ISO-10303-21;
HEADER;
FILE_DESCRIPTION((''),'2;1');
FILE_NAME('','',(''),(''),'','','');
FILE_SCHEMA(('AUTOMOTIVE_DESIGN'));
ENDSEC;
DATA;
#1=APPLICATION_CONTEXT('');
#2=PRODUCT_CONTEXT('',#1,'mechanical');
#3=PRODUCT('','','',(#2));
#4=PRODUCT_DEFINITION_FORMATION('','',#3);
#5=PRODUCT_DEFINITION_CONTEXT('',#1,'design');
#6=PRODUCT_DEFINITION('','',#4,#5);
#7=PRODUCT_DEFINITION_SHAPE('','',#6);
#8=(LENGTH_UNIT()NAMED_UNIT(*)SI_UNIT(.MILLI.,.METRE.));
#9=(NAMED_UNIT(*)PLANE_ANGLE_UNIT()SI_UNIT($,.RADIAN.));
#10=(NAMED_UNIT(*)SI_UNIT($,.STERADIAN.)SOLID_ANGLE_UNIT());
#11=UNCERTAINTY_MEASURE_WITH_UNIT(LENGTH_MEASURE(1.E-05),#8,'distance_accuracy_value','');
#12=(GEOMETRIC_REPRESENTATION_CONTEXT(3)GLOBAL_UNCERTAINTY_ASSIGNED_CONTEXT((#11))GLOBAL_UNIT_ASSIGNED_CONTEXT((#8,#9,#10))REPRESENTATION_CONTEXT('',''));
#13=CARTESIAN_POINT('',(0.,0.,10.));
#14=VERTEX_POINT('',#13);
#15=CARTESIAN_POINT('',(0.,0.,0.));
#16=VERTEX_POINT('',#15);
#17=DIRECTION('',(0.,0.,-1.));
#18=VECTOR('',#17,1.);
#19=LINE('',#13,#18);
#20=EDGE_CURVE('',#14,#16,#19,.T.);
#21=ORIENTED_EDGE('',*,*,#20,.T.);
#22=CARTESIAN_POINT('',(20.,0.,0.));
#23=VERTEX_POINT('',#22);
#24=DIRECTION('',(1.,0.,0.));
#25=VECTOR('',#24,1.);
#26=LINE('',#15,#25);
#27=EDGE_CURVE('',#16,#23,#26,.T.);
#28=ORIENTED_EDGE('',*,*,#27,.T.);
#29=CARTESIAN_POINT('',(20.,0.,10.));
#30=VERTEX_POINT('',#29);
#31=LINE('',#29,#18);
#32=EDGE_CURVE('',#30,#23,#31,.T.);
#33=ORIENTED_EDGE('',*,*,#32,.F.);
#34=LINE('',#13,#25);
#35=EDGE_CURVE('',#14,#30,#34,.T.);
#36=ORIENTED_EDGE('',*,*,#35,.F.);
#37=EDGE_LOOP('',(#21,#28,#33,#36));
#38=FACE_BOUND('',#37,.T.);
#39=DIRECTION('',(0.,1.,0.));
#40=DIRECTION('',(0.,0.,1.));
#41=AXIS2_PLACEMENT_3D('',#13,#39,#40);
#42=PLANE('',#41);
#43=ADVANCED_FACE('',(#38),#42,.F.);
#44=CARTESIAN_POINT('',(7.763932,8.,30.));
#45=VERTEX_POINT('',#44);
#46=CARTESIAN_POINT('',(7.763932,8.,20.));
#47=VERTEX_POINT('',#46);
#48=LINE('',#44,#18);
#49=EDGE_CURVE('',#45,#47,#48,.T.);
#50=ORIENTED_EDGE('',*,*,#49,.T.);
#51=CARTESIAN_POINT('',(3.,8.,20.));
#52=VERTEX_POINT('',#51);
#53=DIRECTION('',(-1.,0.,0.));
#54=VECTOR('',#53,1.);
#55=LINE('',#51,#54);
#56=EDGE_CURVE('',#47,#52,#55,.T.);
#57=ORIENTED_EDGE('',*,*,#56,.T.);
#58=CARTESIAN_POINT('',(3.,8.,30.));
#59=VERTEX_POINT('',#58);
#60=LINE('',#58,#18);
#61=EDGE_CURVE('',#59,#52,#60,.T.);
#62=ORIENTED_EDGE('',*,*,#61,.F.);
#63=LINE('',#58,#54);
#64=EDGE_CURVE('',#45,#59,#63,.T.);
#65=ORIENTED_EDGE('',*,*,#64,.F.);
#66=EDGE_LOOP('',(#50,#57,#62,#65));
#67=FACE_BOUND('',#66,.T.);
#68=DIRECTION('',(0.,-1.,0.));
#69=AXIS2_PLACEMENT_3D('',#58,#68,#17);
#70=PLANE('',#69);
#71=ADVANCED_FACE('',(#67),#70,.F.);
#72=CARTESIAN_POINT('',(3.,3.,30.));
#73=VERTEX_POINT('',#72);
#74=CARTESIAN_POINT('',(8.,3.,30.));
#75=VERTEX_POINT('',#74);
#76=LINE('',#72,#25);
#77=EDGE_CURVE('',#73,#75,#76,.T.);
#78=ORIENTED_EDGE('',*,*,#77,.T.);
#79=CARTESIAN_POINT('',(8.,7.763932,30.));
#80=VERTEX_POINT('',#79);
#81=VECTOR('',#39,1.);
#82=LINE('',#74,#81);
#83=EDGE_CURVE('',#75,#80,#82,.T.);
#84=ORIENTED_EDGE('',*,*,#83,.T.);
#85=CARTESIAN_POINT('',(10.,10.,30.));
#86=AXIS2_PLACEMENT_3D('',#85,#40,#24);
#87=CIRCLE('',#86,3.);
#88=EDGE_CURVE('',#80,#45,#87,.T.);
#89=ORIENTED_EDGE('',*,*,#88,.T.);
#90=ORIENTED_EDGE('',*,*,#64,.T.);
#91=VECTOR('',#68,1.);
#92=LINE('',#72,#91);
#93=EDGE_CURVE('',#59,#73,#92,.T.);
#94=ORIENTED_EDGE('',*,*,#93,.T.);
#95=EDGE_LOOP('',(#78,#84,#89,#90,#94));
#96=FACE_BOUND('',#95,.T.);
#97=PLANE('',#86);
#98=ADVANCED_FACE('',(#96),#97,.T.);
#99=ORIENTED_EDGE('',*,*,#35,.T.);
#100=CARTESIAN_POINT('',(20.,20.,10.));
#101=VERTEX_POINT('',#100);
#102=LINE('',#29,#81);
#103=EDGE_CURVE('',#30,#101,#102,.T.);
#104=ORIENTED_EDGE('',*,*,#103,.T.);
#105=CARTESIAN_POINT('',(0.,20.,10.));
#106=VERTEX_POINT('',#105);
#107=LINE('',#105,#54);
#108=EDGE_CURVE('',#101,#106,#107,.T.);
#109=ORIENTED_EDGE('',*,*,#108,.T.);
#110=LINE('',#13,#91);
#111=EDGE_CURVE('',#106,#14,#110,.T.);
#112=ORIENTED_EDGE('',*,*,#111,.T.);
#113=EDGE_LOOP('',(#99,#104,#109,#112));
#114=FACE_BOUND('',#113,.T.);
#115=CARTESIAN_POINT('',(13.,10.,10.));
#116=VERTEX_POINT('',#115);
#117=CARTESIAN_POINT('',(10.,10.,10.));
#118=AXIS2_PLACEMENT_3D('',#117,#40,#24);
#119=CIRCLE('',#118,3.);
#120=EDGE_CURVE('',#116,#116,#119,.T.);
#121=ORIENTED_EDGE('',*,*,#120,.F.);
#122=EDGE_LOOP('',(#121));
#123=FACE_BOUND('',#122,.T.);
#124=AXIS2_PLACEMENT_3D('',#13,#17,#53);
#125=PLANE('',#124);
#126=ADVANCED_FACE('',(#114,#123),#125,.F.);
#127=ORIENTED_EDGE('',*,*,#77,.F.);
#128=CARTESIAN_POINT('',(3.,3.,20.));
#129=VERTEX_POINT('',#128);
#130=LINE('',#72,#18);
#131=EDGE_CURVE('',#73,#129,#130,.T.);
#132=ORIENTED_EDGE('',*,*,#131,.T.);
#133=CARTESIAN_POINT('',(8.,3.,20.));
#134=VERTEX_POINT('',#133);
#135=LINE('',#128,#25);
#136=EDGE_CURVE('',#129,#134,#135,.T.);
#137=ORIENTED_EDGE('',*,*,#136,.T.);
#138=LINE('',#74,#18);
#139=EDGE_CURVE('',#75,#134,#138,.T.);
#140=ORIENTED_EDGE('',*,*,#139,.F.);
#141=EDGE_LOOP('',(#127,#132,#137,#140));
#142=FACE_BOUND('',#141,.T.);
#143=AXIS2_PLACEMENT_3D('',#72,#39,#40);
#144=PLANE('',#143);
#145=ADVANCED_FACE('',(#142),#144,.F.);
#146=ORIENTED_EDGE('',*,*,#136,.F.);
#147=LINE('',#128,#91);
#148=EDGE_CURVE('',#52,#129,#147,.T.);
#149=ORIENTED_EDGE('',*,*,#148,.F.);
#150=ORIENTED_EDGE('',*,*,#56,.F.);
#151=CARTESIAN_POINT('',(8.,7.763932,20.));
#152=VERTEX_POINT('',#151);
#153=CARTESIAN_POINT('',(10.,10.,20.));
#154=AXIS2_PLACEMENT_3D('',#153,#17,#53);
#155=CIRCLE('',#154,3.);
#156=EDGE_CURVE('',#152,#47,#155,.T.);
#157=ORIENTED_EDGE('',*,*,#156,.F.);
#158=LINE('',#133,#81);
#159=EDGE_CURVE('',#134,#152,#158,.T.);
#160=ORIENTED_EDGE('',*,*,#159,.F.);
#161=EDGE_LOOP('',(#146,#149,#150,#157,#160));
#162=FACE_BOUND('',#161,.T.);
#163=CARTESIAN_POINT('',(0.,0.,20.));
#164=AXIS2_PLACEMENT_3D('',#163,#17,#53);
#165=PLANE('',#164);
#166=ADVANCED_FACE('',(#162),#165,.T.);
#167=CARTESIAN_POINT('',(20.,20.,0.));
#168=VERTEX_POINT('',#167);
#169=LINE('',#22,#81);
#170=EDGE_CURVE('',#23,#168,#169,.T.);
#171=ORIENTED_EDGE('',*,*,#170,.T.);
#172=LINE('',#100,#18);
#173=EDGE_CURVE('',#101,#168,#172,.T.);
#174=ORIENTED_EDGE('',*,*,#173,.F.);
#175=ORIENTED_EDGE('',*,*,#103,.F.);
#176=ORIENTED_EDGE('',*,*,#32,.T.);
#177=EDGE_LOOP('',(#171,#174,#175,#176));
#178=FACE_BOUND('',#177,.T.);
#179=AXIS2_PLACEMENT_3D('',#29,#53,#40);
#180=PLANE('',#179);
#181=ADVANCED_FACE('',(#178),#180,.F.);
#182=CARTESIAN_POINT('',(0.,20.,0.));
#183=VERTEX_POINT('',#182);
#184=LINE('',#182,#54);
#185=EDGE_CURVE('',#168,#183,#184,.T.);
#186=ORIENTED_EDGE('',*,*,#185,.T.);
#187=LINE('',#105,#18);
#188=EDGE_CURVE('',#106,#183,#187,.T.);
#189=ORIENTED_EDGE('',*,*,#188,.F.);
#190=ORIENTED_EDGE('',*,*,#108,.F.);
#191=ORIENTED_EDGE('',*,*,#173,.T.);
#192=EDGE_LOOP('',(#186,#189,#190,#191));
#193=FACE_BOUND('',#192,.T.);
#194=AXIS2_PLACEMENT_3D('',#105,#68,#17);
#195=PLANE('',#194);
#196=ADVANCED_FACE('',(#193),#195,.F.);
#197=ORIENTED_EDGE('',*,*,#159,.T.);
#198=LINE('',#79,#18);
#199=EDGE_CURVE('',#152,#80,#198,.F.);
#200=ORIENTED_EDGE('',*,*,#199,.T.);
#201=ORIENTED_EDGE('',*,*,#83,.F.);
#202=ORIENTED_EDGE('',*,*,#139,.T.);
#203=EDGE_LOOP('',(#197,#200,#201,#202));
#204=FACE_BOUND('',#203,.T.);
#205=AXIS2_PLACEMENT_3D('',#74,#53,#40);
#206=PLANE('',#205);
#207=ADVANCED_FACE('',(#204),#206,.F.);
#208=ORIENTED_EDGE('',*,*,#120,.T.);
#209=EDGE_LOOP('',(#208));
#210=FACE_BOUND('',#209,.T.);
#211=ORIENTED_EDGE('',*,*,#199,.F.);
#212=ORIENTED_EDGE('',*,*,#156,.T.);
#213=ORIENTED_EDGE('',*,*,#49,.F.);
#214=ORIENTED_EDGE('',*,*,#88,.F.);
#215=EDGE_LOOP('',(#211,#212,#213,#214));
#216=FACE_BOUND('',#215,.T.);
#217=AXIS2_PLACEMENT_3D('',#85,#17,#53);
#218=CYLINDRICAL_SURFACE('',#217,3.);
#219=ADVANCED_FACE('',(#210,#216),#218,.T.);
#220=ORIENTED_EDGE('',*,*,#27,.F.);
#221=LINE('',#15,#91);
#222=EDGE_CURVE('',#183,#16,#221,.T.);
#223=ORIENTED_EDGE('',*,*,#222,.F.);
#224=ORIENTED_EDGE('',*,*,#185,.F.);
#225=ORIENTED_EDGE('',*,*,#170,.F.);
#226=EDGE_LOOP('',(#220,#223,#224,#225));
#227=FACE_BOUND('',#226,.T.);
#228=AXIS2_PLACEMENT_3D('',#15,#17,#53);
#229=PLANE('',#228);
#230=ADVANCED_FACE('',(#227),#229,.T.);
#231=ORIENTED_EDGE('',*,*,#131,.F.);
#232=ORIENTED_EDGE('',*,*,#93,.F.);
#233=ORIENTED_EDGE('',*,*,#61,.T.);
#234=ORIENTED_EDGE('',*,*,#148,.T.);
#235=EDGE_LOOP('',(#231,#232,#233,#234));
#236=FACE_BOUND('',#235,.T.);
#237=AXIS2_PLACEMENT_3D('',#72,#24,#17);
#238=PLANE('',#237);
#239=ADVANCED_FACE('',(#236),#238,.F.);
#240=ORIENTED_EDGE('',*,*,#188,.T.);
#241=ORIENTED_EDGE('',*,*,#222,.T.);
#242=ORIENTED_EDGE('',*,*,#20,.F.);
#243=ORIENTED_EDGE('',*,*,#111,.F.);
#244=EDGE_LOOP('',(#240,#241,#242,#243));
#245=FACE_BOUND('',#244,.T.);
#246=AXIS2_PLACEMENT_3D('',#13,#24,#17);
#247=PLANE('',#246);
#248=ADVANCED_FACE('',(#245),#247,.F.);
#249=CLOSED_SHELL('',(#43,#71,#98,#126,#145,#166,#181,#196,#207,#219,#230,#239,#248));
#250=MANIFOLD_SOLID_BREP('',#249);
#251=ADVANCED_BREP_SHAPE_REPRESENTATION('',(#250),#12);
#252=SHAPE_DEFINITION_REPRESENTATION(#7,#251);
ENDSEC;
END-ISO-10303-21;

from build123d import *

# Parameters (mm, degrees)
SKETCH_1_W           = 20
SKETCH_1_H           = 20
BASEBOX_DEPTH        = 10
SKETCH_2_W           = 5
SKETCH_2_H           = 5
TARGETBOX_DEPTH      = 10
SKETCH_3_R           = 3
UPTOVERTEXBOSS_DEPTH = 20


with BuildPart() as part:
    # 草图1 → BaseBox (new body)
    with BuildSketch(Plane.XY):
        with Locations((10, 10)):
            Rectangle(SKETCH_1_W, SKETCH_1_H)
    extrude(amount=BASEBOX_DEPTH)



with BuildPart() as body_2:
    # 草图2 → TargetBox (new body)
    with BuildSketch(Plane.XY.offset(20)):
        with Locations((5.5, 5.5)):
            Rectangle(SKETCH_2_W, SKETCH_2_H)
    extrude(amount=TARGETBOX_DEPTH)


with BuildPart() as part_1:
    add(part.part)

    add(body_2.part)  # UpToVertexBoss merges body 2
    # 草图3 → UpToVertexBoss (add)
    with BuildSketch(Plane.XY.offset(10)):
        with Locations(Location((10, 10, 0), (0, 0, 221.810314896))):
            Circle(SKETCH_3_R)
    extrude(amount=UPTOVERTEXBOSS_DEPTH)


solid = part_1.part
